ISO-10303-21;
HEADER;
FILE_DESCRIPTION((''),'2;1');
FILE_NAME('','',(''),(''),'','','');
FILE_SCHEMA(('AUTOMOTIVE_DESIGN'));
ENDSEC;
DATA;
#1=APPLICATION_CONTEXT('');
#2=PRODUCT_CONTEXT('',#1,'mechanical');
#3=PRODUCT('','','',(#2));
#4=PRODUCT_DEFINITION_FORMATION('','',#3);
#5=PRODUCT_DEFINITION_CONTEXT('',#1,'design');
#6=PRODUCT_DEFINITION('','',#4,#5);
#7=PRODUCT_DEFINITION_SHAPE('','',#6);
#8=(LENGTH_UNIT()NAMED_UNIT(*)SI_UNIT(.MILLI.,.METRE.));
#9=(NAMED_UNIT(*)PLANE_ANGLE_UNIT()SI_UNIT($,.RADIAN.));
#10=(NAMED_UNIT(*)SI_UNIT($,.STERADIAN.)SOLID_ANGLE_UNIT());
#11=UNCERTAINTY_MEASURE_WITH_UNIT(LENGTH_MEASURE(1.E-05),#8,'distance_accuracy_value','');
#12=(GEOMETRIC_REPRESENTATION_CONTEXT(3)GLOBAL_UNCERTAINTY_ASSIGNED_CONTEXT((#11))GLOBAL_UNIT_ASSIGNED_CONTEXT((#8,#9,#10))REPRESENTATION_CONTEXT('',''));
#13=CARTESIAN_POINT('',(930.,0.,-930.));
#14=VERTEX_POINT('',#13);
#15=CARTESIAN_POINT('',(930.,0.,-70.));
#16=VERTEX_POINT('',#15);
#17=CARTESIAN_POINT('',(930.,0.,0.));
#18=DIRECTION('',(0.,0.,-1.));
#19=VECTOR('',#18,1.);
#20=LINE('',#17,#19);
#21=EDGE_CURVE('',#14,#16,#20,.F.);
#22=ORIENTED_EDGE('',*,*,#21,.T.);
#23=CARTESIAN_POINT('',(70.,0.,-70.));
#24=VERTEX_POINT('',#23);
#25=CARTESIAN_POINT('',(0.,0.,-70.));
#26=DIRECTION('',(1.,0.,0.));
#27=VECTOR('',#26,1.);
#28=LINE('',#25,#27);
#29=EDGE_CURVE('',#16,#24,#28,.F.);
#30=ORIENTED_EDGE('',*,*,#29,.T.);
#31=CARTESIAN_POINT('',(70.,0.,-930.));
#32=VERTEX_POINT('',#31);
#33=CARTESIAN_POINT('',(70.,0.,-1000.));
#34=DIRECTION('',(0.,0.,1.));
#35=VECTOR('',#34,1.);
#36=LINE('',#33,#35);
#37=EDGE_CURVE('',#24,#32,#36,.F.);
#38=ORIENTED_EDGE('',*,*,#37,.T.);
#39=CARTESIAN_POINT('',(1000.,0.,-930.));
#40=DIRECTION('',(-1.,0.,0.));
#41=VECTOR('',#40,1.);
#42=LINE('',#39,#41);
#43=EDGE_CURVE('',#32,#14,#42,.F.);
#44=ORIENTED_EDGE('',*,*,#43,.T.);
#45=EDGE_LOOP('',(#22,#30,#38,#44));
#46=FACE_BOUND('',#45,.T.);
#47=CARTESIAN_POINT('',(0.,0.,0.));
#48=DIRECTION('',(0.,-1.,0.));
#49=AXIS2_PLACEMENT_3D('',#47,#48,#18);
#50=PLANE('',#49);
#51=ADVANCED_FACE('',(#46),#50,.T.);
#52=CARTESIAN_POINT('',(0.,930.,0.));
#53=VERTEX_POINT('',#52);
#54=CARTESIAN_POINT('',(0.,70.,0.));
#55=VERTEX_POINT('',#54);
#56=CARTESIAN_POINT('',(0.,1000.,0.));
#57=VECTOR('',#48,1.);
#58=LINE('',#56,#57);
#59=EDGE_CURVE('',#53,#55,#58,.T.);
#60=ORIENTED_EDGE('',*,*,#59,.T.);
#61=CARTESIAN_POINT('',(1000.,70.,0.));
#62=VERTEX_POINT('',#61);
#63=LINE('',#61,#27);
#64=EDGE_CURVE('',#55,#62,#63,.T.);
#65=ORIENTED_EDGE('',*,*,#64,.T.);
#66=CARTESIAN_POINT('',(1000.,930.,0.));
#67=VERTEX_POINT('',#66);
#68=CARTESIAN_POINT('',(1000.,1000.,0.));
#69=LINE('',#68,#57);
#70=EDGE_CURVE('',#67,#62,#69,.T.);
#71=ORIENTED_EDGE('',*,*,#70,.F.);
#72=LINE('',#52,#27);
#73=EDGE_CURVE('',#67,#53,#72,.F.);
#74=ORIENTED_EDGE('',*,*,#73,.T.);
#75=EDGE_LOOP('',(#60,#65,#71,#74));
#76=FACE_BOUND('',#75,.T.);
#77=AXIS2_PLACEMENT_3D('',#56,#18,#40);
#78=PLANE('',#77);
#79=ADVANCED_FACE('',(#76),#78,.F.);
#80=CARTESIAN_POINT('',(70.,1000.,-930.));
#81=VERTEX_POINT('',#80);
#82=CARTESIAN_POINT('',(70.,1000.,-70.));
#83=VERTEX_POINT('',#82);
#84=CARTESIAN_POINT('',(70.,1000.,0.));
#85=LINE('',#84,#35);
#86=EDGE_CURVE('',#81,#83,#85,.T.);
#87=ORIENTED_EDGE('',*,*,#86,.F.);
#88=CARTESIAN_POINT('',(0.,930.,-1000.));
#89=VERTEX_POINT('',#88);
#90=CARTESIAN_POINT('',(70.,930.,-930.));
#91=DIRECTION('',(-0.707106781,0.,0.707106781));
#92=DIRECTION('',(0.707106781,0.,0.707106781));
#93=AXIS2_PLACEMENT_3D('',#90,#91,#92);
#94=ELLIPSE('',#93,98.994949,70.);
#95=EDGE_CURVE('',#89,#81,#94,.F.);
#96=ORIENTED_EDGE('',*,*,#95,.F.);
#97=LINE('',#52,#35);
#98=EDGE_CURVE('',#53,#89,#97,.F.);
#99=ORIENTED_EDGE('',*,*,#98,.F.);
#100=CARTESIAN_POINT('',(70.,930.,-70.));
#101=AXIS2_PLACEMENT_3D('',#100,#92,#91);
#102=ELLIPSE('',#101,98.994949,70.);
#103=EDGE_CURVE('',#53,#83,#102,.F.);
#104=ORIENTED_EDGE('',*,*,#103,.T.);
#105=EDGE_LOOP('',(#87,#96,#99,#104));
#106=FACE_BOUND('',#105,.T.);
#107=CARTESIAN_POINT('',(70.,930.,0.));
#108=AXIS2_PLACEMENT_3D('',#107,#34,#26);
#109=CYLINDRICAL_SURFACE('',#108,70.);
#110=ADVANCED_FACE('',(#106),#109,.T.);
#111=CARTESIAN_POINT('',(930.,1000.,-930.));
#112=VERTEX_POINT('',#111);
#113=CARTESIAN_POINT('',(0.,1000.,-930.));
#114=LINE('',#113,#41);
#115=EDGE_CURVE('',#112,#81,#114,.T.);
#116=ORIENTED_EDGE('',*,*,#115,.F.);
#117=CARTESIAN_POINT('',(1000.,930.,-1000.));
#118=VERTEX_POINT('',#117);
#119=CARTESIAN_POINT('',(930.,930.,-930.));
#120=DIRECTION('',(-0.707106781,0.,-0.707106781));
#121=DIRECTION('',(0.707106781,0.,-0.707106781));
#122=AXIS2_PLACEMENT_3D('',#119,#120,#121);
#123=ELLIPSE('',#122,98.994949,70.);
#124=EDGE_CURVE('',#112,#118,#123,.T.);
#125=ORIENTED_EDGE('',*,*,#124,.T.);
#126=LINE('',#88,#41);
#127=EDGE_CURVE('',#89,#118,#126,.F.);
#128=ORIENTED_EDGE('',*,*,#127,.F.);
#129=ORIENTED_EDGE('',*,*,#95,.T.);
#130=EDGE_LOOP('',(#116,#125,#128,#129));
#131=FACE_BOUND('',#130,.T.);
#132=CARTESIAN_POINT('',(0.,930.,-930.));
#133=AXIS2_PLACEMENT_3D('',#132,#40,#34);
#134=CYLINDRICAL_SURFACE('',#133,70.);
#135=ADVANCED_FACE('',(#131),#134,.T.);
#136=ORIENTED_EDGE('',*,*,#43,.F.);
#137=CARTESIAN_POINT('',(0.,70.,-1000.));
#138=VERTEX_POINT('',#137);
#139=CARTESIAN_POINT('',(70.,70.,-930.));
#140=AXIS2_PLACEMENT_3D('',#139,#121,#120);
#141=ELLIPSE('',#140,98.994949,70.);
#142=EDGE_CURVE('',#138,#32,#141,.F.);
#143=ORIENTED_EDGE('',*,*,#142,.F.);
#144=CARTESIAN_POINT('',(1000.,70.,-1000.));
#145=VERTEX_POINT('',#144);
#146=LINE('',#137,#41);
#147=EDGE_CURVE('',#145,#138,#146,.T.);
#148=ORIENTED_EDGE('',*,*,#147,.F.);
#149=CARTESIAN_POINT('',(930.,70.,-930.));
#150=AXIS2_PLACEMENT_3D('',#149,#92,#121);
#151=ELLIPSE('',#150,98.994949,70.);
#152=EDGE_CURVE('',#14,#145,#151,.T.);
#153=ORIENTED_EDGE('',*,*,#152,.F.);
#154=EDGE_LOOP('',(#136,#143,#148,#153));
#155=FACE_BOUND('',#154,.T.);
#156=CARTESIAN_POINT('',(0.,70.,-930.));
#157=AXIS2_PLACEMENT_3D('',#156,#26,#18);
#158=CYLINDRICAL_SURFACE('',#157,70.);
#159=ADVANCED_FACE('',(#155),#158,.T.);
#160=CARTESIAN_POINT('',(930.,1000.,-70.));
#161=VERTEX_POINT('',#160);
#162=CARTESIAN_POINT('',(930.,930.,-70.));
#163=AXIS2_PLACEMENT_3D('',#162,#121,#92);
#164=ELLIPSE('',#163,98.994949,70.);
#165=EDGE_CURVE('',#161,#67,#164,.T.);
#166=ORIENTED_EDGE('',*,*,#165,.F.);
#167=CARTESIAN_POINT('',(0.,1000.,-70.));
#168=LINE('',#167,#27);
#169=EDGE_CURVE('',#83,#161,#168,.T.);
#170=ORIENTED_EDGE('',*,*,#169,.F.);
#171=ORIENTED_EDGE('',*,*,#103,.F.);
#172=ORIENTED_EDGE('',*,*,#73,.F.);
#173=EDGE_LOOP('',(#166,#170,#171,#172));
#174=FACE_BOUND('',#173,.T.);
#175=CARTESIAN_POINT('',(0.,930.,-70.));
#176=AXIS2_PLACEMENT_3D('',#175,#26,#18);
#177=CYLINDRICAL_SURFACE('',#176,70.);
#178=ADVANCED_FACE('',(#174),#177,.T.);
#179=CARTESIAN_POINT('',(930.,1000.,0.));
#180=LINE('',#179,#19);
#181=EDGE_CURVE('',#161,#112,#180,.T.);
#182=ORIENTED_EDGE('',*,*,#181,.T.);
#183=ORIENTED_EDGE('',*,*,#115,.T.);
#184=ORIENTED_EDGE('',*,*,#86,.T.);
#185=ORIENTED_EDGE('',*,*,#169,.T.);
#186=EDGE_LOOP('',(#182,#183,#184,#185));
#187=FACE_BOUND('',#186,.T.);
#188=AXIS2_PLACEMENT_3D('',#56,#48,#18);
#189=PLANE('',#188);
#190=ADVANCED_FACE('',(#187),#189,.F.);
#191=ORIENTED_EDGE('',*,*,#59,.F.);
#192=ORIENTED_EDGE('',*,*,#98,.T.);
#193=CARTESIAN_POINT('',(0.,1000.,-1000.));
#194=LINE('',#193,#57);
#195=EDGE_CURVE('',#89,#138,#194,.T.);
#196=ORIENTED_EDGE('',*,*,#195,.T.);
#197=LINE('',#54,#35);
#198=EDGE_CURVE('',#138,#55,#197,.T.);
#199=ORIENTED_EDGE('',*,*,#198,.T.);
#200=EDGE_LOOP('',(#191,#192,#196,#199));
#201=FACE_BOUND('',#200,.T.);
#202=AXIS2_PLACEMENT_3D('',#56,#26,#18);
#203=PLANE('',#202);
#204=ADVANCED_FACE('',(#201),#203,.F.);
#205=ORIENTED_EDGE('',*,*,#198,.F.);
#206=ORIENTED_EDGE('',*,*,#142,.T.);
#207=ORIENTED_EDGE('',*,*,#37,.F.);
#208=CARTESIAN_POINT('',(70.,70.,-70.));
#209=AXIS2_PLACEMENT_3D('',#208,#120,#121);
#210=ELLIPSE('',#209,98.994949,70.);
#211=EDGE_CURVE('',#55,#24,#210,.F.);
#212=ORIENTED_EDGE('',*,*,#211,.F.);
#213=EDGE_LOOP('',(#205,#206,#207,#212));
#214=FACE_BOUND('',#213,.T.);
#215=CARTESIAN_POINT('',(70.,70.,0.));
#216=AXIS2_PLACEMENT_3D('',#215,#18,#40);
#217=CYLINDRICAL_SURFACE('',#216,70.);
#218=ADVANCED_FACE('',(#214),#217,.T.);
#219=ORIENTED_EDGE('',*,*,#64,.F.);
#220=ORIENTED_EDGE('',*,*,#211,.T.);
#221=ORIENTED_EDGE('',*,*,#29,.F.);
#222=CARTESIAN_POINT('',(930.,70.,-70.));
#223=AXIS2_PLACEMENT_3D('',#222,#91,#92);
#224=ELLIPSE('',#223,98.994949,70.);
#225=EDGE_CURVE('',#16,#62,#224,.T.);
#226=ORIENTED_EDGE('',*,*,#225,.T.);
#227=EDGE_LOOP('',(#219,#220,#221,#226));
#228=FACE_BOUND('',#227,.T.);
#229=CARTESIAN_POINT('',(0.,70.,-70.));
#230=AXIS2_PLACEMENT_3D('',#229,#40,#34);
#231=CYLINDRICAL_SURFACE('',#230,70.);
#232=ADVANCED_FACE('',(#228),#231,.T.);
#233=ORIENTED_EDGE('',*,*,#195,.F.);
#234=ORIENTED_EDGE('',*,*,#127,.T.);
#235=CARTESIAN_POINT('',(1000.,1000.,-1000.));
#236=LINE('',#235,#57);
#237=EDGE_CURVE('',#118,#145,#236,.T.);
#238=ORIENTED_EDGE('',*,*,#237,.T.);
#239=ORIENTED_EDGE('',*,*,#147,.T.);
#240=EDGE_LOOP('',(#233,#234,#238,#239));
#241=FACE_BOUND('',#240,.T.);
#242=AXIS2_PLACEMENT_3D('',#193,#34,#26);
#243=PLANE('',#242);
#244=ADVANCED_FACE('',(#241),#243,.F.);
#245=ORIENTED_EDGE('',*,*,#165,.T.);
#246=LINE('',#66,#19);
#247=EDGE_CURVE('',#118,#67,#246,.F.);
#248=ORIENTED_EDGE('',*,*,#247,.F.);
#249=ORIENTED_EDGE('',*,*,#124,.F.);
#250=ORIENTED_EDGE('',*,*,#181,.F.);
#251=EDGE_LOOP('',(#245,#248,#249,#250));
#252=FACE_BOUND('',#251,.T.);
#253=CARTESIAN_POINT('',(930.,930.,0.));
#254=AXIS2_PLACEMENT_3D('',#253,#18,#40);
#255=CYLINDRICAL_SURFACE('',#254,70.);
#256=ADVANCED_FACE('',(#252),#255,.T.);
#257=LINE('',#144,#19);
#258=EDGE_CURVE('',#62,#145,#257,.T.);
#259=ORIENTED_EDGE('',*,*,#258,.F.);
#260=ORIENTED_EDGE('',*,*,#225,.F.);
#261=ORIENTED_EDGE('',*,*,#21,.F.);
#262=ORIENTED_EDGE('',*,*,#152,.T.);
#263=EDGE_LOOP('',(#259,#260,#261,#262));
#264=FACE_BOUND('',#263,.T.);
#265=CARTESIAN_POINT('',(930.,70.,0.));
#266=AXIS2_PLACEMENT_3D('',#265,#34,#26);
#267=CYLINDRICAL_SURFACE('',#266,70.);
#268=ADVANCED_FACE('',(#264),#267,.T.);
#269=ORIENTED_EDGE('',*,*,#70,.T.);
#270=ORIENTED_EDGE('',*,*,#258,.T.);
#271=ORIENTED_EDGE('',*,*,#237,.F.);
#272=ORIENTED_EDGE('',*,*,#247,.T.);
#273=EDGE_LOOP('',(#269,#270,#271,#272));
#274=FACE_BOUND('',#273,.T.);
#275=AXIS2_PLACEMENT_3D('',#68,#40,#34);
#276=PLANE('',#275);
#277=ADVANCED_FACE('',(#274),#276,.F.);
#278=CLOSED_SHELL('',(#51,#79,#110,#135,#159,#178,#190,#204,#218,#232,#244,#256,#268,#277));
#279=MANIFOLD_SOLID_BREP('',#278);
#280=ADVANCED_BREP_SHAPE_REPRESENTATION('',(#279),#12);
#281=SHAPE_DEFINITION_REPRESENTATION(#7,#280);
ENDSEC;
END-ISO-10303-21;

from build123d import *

# Parameters (mm, degrees)
SKETCH1_W           = 1000
SKETCH1_H           = 1000
BOSS_EXTRUDE2_DEPTH = 1000
FILLET2_R           = 70


with BuildPart() as part:
    # Sketch1 → Boss-Extrude2 (new body)
    with BuildSketch(Plane(origin=(0, 0, 0), x_dir=(1, 0, 0), z_dir=(0, 1, 0))):
        with Locations((500, 500)):
            Rectangle(SKETCH1_W, SKETCH1_H)
    extrude(amount=BOSS_EXTRUDE2_DEPTH)

    # Fillet2
    fillet2_edges = [part.edges().sort_by_distance(p)[0] for p in [
        (1000, 1000, -500),
        (500, 1000, -1000),
        (0, 1000, -500),
        (500, 0, -1000),
        (1000, 0, -500),
        (500, 0, 0),
        (0, 0, -500),
        (500, 1000, 0),
    ]]
    fillet(fillet2_edges, radius=FILLET2_R)


solid = part.part
